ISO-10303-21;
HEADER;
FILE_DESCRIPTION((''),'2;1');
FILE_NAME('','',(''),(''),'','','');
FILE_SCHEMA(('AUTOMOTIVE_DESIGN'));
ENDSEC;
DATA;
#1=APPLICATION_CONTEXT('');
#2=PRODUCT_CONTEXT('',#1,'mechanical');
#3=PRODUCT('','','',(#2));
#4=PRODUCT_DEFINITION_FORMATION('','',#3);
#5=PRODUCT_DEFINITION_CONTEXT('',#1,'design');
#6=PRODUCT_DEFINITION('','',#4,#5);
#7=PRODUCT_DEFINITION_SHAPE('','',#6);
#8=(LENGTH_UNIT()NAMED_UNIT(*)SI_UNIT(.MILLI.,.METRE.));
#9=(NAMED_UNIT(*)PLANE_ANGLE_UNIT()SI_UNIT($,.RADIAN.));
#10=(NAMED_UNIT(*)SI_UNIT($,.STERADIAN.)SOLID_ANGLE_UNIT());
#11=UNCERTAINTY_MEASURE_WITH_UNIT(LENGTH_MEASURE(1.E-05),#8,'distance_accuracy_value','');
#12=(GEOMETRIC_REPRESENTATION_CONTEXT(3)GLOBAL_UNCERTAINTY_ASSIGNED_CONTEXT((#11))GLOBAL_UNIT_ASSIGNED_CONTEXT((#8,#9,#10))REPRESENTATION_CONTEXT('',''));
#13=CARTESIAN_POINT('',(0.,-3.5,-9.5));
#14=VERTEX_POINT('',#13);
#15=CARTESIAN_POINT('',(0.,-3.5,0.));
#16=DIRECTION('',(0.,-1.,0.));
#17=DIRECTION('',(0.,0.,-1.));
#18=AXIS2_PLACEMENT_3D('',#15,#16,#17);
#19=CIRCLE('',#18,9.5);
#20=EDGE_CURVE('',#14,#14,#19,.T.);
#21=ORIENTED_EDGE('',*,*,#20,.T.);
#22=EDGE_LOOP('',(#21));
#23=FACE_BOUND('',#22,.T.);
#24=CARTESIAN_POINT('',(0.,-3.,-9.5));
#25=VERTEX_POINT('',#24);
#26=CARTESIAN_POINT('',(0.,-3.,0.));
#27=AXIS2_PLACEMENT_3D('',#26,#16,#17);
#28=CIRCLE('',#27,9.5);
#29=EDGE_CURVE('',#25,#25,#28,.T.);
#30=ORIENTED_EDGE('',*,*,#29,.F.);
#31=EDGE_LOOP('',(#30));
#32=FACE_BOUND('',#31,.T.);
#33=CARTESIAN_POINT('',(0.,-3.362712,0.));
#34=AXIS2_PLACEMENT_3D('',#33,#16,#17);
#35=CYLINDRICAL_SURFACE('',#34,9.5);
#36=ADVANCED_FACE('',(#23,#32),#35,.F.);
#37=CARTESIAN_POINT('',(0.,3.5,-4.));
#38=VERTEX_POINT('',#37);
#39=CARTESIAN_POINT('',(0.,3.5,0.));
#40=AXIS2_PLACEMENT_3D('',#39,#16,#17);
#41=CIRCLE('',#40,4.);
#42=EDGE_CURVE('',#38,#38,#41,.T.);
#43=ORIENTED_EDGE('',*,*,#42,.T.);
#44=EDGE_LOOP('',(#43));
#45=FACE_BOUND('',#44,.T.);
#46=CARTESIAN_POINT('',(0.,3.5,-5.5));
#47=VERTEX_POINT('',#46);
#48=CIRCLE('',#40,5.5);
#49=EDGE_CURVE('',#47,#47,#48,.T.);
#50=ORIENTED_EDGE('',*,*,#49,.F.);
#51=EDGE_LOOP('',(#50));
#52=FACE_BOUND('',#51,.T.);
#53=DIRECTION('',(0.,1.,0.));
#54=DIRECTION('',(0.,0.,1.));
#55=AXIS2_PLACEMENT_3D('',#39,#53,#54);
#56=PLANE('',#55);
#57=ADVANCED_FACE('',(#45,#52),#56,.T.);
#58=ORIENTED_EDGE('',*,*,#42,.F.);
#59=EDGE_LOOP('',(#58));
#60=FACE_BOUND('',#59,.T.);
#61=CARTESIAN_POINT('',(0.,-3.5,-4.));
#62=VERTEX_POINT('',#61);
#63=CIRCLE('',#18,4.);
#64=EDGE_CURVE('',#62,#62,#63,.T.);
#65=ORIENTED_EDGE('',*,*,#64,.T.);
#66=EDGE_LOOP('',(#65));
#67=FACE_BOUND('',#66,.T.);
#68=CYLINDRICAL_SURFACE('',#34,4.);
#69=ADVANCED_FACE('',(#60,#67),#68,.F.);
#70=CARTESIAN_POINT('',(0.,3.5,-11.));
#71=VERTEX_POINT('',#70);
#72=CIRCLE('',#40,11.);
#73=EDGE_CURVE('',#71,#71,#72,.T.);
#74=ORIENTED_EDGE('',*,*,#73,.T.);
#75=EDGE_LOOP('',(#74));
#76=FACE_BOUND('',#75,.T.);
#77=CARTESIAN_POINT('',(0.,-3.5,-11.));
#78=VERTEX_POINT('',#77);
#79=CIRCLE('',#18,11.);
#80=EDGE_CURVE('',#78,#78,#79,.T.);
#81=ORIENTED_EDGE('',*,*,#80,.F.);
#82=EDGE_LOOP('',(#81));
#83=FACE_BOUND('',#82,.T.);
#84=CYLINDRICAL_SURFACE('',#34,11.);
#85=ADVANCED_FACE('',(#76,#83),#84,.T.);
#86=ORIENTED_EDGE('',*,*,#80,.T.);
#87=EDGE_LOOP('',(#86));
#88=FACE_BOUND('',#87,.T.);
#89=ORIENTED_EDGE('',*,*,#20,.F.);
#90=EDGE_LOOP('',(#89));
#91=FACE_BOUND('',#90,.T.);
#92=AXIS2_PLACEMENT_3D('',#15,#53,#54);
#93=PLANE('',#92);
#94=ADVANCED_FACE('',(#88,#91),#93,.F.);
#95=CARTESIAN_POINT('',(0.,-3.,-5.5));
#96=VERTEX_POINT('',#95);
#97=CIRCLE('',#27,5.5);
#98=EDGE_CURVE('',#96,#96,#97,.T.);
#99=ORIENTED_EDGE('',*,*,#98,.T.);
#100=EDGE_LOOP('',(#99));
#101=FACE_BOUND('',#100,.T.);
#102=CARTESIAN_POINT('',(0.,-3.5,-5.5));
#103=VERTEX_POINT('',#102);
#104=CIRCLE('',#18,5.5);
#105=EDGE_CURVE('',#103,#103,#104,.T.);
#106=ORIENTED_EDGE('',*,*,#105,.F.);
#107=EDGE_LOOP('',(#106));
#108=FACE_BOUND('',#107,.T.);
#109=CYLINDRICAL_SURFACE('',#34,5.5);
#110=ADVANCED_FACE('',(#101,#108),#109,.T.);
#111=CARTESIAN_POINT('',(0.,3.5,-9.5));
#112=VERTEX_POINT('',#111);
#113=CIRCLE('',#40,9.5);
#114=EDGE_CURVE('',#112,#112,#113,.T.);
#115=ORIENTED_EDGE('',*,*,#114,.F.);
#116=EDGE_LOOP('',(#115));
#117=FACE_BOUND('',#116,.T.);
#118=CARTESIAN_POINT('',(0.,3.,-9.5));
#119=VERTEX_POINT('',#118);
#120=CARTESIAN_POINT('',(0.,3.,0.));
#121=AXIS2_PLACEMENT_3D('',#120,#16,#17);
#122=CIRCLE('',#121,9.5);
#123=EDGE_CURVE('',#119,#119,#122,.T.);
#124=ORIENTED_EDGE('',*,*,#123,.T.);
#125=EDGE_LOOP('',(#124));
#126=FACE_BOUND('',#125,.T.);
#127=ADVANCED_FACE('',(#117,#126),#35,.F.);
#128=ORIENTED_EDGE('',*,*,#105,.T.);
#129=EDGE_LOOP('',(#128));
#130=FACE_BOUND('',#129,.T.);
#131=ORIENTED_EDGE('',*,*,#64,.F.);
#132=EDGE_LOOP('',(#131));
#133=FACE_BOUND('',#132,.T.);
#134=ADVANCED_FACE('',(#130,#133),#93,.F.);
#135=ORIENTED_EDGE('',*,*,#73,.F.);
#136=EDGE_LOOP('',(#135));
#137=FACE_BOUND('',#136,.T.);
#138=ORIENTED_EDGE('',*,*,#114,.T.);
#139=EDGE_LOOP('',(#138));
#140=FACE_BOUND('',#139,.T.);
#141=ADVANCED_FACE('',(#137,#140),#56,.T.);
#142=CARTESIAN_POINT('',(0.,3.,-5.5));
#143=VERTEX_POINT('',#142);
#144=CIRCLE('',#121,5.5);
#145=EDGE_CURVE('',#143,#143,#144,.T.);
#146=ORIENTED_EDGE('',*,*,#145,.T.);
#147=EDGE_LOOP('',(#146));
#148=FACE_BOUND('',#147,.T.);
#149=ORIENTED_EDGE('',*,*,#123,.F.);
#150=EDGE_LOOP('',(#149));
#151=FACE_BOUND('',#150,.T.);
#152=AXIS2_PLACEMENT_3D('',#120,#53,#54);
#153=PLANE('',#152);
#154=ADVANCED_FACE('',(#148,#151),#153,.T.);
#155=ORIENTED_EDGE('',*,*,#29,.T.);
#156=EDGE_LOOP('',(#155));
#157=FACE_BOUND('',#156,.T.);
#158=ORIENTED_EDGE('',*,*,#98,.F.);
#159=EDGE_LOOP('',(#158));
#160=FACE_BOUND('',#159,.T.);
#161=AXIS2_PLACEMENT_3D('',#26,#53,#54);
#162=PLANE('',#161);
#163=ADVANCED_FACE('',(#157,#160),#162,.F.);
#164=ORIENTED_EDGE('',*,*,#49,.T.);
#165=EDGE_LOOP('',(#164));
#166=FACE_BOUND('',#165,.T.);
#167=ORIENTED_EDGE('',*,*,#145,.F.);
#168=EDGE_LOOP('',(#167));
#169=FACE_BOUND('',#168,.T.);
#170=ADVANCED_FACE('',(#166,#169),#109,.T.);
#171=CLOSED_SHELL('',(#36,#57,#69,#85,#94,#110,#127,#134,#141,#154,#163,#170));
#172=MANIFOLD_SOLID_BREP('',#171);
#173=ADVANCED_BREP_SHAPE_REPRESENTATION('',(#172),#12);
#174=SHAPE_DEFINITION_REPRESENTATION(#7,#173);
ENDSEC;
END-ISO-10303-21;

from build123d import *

# Parameters (mm, degrees)
SKETCH1_W   = 1.5
SKETCH1_H   = 7
SKETCH1_W_2 = 4
SKETCH1_H_2 = 6


with BuildPart() as part:
    # Sketch1 → Revolve1 (revolve)
    with BuildSketch(Plane.XY):
        with Locations((-10.25, 0)):
            Rectangle(SKETCH1_W, SKETCH1_H)
        with Locations((-7.5, 0)):
            Rectangle(SKETCH1_W_2, SKETCH1_H_2)
        with Locations((-4.75, 0)):
            Rectangle(SKETCH1_W, SKETCH1_H)
    revolve(axis=Axis((0, -3.362712124, 0), (0, 1, 0)))


solid = part.part
